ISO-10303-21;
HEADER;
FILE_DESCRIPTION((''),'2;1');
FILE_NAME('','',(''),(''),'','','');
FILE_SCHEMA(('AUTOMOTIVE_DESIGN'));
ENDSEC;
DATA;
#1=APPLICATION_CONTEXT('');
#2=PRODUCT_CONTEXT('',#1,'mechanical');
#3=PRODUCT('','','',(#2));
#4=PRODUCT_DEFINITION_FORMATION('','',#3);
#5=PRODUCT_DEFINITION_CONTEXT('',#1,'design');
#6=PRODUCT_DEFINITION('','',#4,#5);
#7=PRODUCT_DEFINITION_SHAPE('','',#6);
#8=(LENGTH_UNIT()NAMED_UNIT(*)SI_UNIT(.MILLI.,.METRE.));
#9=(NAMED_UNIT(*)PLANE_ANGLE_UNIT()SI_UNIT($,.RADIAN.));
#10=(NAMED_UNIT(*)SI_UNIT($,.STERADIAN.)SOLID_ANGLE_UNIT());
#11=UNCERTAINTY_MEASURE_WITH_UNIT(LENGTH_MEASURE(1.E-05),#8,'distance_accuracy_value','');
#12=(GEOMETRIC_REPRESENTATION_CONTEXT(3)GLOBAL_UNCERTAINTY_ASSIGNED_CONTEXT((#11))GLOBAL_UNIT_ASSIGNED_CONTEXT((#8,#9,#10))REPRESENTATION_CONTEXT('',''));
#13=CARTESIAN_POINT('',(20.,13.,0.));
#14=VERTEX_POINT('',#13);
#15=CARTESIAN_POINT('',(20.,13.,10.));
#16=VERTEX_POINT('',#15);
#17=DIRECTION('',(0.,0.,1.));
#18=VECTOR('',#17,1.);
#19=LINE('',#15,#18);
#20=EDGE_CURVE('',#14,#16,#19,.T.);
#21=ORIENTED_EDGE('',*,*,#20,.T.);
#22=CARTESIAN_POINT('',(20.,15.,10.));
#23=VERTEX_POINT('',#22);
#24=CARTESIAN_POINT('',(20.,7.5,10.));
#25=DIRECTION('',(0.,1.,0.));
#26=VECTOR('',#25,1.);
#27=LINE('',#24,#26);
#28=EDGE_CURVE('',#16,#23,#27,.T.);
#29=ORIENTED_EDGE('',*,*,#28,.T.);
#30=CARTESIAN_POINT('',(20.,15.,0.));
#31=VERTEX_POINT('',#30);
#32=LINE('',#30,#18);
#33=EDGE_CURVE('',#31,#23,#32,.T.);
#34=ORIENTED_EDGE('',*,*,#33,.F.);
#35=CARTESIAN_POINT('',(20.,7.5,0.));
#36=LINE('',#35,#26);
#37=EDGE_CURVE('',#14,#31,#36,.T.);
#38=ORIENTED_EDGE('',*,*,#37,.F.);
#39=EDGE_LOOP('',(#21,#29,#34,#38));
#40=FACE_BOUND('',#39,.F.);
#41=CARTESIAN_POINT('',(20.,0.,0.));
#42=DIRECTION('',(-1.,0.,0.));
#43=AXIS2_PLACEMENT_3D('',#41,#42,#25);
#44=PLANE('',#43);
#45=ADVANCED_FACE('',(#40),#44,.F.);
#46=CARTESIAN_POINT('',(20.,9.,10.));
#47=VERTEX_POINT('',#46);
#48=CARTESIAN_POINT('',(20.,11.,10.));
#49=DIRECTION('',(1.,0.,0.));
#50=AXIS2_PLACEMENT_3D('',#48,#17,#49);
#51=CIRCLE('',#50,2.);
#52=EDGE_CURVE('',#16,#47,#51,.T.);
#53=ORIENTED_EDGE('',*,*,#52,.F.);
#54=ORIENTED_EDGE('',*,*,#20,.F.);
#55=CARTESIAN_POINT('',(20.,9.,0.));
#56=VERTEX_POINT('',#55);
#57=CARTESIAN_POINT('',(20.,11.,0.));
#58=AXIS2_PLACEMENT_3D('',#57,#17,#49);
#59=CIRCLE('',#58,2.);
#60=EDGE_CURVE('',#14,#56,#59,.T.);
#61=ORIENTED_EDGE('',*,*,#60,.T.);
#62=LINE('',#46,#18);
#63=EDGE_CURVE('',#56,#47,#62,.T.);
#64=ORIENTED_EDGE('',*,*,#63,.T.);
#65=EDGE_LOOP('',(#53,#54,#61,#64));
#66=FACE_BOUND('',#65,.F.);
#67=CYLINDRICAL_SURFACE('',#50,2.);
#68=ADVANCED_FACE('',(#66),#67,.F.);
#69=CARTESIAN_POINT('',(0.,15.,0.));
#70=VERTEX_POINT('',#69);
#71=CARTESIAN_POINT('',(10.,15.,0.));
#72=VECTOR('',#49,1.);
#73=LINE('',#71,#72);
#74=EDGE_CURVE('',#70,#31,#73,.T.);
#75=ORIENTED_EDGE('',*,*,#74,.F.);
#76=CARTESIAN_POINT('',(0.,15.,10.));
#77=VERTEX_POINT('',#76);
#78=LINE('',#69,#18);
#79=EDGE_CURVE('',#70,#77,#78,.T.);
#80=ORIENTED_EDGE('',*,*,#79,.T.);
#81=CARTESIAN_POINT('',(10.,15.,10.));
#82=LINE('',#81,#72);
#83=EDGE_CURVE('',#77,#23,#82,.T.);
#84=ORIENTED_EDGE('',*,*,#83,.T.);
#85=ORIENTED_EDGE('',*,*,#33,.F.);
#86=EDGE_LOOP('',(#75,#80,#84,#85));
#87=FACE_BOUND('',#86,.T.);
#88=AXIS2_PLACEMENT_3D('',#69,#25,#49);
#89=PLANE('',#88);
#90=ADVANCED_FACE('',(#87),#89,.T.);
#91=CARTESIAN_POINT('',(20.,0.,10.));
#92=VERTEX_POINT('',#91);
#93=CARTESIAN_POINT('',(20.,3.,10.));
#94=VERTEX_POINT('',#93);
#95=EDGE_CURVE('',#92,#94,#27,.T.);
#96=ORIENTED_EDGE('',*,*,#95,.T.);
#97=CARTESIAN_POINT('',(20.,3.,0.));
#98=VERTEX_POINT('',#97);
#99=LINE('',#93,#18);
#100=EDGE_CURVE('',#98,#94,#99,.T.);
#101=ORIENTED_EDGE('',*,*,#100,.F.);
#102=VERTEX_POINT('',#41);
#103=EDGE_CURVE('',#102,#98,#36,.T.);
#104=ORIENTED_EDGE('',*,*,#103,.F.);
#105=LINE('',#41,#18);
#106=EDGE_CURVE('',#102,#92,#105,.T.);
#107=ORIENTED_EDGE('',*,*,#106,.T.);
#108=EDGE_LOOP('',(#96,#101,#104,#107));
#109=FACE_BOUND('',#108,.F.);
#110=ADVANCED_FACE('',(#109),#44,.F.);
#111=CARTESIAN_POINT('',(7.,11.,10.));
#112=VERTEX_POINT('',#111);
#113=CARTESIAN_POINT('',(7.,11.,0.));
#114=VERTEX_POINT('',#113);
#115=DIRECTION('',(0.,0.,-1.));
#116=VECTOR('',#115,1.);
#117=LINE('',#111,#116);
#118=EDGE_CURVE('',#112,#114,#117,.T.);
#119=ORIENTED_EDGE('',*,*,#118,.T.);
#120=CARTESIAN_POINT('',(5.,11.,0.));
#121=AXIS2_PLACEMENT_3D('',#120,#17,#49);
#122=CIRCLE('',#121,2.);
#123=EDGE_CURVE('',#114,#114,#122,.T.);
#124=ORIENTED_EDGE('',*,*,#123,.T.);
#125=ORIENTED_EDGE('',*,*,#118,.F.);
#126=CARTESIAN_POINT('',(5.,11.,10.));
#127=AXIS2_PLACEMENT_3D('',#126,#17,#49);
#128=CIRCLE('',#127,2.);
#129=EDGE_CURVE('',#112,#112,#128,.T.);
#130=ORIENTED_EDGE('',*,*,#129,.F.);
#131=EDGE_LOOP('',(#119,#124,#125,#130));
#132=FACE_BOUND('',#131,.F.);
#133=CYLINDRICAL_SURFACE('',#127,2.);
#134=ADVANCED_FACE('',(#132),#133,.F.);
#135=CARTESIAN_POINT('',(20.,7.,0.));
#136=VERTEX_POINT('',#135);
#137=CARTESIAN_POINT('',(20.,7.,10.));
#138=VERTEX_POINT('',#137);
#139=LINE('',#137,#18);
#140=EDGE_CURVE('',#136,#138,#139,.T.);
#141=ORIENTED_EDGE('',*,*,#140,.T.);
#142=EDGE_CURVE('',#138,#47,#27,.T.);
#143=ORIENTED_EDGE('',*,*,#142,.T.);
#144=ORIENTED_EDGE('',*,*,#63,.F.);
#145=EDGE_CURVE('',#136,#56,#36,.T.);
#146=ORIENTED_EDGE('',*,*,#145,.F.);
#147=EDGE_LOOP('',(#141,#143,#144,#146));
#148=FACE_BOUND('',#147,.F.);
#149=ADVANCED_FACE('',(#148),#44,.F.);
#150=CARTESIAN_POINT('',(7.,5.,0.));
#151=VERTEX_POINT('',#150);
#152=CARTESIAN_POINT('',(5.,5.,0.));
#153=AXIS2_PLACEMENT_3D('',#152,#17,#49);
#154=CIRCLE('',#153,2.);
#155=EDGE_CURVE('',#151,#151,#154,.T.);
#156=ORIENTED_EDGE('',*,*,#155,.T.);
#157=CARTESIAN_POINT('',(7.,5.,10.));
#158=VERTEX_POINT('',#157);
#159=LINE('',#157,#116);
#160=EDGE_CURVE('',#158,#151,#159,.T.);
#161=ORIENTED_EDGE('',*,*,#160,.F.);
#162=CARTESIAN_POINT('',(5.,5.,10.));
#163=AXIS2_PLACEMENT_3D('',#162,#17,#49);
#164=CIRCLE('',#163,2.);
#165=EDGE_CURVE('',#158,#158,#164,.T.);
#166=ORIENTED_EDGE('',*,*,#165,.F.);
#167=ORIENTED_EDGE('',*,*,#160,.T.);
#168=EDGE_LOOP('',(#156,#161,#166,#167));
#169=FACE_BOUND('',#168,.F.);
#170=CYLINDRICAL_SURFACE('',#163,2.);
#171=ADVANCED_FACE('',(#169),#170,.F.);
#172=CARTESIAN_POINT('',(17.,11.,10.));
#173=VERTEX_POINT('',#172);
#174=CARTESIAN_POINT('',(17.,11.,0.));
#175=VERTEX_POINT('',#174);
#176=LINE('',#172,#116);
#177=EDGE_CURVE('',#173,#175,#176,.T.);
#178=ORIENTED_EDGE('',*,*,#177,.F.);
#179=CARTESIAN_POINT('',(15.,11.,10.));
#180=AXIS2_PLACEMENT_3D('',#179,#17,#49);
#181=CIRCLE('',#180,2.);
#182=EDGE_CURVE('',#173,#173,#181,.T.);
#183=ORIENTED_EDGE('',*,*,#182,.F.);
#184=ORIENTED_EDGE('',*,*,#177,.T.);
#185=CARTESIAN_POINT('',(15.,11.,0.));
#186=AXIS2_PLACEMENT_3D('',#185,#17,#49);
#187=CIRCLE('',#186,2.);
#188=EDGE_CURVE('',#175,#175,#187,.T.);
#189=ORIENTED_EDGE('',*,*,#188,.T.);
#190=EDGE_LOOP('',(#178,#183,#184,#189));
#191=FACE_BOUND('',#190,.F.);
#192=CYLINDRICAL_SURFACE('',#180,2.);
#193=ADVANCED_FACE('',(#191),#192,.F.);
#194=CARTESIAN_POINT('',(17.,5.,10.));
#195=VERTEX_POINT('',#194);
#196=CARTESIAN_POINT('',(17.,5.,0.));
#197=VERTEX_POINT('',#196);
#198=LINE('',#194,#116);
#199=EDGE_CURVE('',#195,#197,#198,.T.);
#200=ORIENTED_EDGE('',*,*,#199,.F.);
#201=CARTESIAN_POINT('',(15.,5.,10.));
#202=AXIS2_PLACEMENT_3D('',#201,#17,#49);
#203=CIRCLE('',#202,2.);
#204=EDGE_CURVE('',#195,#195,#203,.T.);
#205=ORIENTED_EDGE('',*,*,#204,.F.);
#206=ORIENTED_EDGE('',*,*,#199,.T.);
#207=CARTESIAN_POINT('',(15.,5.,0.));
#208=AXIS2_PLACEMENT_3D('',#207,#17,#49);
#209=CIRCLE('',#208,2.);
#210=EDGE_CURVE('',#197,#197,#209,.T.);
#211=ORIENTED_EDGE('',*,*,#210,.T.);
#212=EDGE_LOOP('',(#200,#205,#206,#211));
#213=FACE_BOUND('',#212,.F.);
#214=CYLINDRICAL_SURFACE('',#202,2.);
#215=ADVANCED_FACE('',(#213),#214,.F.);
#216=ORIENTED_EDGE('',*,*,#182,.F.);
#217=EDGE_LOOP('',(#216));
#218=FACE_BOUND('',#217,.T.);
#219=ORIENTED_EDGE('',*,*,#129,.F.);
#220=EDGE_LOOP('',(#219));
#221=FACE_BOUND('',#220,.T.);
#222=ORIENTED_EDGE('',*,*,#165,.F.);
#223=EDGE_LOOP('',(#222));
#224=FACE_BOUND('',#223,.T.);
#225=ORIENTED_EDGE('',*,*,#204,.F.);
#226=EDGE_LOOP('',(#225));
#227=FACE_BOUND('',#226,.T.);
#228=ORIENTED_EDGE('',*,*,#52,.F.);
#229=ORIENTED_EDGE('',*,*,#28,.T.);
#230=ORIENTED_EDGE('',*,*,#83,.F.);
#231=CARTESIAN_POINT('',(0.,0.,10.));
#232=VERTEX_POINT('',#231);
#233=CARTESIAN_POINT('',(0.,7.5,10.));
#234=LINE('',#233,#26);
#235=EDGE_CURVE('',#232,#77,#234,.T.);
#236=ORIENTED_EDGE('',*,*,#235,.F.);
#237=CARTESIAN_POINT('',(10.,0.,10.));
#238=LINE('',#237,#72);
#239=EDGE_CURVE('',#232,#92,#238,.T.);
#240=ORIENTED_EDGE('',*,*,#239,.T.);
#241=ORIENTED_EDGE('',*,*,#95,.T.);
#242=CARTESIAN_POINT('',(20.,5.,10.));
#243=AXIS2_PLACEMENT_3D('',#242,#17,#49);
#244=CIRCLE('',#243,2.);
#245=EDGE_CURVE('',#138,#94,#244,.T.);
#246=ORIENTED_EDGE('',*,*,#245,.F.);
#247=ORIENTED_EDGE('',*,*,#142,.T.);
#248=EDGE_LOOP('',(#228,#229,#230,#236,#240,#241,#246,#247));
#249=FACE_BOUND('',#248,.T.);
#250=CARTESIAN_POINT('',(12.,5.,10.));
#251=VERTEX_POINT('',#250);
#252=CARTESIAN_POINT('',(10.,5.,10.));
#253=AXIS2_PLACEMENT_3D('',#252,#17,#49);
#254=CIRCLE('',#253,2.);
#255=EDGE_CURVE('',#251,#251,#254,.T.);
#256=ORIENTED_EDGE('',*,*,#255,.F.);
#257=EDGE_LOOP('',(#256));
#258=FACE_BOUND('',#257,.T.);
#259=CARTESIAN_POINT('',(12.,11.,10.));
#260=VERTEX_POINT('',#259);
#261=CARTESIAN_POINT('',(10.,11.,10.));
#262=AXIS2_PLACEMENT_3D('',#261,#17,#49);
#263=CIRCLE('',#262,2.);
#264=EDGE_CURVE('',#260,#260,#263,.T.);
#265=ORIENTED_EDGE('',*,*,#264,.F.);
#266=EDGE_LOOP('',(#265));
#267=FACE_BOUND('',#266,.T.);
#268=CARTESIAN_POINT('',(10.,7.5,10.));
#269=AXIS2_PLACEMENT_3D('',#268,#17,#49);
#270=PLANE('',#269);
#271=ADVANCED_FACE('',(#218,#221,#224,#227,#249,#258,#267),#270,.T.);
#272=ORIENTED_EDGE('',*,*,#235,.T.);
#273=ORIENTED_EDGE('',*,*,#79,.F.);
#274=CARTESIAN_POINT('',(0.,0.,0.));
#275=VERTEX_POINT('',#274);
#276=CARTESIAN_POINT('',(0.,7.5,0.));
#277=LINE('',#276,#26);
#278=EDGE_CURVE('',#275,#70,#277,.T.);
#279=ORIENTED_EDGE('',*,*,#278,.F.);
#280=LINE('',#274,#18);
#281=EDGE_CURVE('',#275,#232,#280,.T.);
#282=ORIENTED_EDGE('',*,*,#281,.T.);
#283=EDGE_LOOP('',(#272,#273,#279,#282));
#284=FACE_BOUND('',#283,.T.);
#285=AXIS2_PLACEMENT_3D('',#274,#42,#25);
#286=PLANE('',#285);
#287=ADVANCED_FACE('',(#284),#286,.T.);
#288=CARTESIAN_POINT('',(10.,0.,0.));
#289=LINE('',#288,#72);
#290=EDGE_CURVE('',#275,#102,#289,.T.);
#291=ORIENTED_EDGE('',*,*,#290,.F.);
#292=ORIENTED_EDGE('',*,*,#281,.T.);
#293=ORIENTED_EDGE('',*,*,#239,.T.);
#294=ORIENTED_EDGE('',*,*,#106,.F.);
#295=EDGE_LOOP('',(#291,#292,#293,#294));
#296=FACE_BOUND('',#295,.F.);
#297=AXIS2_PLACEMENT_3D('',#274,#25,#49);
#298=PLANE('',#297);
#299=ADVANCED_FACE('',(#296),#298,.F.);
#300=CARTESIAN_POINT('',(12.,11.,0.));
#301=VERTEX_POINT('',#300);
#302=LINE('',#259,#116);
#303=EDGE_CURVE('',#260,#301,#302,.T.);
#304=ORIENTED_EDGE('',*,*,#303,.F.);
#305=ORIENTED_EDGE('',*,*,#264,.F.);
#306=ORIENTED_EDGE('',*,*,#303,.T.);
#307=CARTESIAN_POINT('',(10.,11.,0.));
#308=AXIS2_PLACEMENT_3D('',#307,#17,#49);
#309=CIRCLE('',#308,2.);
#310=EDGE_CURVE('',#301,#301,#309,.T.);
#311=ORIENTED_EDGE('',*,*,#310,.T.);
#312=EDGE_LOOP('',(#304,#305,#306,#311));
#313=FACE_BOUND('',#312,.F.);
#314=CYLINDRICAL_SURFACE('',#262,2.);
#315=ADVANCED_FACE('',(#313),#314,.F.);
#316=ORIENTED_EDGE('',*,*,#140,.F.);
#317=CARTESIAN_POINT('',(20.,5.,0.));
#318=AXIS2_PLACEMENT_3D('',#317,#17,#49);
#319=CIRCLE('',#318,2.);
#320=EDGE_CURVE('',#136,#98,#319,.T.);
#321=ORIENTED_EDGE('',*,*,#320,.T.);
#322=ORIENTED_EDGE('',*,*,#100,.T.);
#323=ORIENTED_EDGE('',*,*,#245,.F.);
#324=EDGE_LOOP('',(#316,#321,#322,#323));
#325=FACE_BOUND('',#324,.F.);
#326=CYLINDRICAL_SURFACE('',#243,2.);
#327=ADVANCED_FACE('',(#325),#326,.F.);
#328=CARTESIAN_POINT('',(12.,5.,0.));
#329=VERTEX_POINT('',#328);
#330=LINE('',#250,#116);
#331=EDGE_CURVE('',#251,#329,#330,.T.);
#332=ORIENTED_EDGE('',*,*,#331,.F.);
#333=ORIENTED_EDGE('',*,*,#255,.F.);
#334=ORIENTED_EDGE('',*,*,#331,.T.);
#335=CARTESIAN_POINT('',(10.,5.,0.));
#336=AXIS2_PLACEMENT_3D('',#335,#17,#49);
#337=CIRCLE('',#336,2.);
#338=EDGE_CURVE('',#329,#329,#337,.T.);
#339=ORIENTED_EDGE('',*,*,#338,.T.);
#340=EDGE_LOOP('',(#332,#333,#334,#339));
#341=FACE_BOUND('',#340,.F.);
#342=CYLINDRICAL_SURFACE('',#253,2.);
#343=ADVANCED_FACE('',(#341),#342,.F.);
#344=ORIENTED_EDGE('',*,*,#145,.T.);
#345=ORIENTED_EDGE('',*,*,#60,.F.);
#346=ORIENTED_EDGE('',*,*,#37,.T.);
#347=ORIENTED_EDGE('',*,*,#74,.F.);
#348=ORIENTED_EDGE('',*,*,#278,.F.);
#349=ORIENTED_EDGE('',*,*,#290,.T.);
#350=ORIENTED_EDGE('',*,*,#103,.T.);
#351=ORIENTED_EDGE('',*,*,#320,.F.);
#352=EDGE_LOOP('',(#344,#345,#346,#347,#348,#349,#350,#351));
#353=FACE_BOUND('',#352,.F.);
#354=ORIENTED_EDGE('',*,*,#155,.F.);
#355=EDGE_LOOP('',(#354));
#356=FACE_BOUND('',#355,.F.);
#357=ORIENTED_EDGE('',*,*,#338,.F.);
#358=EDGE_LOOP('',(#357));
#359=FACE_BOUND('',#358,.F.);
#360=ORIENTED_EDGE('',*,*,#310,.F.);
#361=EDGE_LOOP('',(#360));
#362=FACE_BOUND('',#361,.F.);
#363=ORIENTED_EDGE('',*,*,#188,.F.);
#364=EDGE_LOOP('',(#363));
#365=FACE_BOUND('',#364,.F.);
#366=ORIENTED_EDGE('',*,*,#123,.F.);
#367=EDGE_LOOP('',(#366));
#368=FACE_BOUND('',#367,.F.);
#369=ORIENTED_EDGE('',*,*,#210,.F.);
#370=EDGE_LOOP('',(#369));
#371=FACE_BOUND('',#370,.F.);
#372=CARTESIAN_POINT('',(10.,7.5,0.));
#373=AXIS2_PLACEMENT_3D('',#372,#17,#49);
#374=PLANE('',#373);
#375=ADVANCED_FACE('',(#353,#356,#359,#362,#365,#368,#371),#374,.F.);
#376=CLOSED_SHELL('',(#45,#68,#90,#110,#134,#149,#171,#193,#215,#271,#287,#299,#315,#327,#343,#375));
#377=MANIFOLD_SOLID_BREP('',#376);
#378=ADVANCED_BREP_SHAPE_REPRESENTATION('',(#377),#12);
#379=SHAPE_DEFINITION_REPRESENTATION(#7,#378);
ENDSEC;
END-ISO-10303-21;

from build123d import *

# Parameters (mm, degrees)
BOX_W               = 20
BOX_H               = 15
BOX_DEPTH           = 10
SKETCH_R            = 2
POCKET_DEPTH        = 11
LINEARPATTERN_COUNT = 3
LINEARPATTERN_PITCH = 5


with BuildPart() as part:
    # Box → Box (new body)
    with BuildSketch(Plane.XY):
        with Locations((10, 7.5)):
            Rectangle(BOX_W, BOX_H)
    extrude(amount=BOX_DEPTH)

    # Sketch (on Face6 of BaseFeature) → Pocket (cut)
    with BuildSketch(Plane.XY.offset(10)):
        with Locations((5, 5)):
            Circle(SKETCH_R)
        with Locations((10, 5)):
            Circle(SKETCH_R)
        with Locations((15, 5)):
            Circle(SKETCH_R)
        with Locations((5, 11)):
            Circle(SKETCH_R)
        with Locations((10, 11)):
            Circle(SKETCH_R)
        with Locations((15, 11)):
            Circle(SKETCH_R)
    pocket = extrude(amount=-POCKET_DEPTH, mode=Mode.SUBTRACT)

    # LinearPattern: Pocket ×3
    with Locations(*[(i * LINEARPATTERN_PITCH, 0, 0) for i in range(1, LINEARPATTERN_COUNT)]):
        add(pocket, mode=Mode.SUBTRACT)


solid = part.part
